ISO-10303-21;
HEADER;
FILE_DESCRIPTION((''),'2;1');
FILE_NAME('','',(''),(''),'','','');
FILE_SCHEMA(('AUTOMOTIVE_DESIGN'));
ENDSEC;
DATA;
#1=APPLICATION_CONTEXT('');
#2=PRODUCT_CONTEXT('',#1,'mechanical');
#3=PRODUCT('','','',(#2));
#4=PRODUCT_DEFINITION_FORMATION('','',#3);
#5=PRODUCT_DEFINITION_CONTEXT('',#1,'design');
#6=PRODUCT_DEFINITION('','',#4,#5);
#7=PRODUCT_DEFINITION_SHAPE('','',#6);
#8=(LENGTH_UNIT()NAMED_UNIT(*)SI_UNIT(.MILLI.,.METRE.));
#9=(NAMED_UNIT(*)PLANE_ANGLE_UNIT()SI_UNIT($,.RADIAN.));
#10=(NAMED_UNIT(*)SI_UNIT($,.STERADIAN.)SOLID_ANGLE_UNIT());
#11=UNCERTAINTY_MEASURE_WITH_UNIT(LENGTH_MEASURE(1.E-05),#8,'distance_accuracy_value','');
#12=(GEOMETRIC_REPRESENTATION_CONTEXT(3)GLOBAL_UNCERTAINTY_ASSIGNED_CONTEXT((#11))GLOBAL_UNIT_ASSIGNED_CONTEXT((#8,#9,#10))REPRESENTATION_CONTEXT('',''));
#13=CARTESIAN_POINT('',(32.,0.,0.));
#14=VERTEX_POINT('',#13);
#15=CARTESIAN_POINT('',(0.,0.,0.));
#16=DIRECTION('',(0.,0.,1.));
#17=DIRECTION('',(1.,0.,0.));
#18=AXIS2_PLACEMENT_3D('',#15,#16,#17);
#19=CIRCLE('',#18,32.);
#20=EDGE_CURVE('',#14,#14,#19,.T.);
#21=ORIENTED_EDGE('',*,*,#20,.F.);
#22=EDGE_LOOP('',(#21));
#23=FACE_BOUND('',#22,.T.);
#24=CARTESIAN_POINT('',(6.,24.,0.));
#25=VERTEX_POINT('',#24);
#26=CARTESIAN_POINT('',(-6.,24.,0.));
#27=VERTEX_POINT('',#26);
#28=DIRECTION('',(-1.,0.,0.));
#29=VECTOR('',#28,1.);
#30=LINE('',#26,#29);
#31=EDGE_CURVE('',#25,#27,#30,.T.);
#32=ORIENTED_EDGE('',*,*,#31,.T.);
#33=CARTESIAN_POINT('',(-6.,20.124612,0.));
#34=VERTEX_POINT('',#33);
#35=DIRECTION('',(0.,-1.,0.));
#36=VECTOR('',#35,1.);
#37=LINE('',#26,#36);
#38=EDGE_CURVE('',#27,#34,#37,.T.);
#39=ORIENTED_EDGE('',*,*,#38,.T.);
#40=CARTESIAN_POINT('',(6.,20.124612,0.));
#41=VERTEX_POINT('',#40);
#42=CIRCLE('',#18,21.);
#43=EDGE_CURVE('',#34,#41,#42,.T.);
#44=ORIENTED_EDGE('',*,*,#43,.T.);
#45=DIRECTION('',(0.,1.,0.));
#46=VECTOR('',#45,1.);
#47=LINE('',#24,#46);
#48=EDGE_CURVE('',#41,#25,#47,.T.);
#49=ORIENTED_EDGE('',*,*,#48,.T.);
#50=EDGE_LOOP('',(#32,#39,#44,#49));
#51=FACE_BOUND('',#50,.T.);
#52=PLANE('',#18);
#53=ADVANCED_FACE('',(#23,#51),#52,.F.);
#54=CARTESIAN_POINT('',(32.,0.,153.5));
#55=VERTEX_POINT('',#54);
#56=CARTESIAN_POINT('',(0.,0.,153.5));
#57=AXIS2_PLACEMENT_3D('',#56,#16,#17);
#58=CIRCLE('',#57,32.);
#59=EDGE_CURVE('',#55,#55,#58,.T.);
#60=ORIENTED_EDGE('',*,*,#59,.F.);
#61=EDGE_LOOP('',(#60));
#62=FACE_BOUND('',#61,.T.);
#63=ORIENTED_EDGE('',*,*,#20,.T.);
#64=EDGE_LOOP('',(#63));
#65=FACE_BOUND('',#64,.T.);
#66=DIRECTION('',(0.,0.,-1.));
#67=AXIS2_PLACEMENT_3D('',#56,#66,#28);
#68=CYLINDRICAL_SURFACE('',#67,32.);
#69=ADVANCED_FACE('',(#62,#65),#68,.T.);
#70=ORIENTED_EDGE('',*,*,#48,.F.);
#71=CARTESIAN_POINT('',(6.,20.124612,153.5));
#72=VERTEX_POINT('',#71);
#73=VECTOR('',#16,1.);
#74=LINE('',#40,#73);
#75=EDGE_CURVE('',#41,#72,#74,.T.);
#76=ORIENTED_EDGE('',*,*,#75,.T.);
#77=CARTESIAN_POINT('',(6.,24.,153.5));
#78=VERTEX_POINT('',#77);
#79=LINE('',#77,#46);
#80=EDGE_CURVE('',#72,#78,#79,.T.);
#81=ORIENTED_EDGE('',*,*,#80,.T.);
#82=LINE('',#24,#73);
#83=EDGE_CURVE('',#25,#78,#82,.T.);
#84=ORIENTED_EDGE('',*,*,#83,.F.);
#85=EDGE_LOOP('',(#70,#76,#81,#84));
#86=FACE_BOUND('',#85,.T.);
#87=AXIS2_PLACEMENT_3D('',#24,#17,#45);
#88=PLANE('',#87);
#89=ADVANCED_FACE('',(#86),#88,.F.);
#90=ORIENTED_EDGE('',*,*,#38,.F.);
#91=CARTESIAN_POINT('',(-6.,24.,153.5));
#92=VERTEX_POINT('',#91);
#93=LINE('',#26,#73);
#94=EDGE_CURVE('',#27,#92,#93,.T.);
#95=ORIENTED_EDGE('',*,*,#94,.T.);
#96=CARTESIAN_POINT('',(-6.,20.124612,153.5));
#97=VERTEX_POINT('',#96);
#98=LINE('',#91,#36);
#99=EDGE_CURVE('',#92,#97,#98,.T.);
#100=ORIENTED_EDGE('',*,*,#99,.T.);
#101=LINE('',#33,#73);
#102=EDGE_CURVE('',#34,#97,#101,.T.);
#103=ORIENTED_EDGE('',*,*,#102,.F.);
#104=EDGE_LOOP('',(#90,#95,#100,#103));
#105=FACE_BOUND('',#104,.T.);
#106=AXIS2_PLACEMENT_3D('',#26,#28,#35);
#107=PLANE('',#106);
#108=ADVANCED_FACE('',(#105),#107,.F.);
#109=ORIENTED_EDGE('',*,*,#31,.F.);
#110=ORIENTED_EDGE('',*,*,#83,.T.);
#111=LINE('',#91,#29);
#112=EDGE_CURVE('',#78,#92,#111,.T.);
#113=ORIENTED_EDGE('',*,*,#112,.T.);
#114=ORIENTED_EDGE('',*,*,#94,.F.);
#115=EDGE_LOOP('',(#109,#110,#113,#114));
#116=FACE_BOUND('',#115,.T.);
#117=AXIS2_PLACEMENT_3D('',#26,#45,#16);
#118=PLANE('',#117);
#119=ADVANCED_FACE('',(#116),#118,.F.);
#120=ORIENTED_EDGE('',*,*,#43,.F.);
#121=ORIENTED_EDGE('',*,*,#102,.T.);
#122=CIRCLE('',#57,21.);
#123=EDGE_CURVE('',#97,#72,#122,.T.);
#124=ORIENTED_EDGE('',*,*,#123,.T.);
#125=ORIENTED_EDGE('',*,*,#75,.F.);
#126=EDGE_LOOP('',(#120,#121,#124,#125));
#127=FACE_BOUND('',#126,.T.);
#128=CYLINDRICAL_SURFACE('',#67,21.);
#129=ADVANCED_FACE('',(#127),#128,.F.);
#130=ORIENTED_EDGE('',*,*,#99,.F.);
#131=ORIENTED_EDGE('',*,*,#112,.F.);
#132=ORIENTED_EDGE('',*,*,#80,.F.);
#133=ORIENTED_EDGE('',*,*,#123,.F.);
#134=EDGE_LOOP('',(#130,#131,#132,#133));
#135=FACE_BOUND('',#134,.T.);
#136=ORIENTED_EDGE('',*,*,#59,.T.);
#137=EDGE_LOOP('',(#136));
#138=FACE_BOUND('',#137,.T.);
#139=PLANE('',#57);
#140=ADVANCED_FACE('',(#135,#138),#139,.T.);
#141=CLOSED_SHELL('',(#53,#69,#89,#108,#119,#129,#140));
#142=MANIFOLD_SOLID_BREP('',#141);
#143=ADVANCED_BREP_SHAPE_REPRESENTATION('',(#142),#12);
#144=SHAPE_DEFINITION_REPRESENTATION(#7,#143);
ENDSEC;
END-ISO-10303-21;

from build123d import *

# Parameters (mm, degrees)
SKETCH1_R           = 32
SKETCH1_R_2         = 21
BOSS_EXTRUDE1_DEPTH = 153.5
SKETCH2_W           = 12
SKETCH2_H           = 3.875388203
CUT_EXTRUDE1_DEPTH  = 154.5


with BuildPart() as part:
    # Sketch1 → Boss-Extrude1 (new body)
    with BuildSketch(Plane.XY):
        Circle(SKETCH1_R)
        Circle(SKETCH1_R_2, mode=Mode.SUBTRACT)
    extrude(amount=BOSS_EXTRUDE1_DEPTH)

    # Sketch2 → Cut-Extrude1 (cut, through all)
    with BuildSketch(Plane.XY.offset(153.5)):
        with Locations((0, 22.062305899)):
            Rectangle(SKETCH2_W, SKETCH2_H)
    extrude(amount=-CUT_EXTRUDE1_DEPTH, mode=Mode.SUBTRACT)


solid = part.part
